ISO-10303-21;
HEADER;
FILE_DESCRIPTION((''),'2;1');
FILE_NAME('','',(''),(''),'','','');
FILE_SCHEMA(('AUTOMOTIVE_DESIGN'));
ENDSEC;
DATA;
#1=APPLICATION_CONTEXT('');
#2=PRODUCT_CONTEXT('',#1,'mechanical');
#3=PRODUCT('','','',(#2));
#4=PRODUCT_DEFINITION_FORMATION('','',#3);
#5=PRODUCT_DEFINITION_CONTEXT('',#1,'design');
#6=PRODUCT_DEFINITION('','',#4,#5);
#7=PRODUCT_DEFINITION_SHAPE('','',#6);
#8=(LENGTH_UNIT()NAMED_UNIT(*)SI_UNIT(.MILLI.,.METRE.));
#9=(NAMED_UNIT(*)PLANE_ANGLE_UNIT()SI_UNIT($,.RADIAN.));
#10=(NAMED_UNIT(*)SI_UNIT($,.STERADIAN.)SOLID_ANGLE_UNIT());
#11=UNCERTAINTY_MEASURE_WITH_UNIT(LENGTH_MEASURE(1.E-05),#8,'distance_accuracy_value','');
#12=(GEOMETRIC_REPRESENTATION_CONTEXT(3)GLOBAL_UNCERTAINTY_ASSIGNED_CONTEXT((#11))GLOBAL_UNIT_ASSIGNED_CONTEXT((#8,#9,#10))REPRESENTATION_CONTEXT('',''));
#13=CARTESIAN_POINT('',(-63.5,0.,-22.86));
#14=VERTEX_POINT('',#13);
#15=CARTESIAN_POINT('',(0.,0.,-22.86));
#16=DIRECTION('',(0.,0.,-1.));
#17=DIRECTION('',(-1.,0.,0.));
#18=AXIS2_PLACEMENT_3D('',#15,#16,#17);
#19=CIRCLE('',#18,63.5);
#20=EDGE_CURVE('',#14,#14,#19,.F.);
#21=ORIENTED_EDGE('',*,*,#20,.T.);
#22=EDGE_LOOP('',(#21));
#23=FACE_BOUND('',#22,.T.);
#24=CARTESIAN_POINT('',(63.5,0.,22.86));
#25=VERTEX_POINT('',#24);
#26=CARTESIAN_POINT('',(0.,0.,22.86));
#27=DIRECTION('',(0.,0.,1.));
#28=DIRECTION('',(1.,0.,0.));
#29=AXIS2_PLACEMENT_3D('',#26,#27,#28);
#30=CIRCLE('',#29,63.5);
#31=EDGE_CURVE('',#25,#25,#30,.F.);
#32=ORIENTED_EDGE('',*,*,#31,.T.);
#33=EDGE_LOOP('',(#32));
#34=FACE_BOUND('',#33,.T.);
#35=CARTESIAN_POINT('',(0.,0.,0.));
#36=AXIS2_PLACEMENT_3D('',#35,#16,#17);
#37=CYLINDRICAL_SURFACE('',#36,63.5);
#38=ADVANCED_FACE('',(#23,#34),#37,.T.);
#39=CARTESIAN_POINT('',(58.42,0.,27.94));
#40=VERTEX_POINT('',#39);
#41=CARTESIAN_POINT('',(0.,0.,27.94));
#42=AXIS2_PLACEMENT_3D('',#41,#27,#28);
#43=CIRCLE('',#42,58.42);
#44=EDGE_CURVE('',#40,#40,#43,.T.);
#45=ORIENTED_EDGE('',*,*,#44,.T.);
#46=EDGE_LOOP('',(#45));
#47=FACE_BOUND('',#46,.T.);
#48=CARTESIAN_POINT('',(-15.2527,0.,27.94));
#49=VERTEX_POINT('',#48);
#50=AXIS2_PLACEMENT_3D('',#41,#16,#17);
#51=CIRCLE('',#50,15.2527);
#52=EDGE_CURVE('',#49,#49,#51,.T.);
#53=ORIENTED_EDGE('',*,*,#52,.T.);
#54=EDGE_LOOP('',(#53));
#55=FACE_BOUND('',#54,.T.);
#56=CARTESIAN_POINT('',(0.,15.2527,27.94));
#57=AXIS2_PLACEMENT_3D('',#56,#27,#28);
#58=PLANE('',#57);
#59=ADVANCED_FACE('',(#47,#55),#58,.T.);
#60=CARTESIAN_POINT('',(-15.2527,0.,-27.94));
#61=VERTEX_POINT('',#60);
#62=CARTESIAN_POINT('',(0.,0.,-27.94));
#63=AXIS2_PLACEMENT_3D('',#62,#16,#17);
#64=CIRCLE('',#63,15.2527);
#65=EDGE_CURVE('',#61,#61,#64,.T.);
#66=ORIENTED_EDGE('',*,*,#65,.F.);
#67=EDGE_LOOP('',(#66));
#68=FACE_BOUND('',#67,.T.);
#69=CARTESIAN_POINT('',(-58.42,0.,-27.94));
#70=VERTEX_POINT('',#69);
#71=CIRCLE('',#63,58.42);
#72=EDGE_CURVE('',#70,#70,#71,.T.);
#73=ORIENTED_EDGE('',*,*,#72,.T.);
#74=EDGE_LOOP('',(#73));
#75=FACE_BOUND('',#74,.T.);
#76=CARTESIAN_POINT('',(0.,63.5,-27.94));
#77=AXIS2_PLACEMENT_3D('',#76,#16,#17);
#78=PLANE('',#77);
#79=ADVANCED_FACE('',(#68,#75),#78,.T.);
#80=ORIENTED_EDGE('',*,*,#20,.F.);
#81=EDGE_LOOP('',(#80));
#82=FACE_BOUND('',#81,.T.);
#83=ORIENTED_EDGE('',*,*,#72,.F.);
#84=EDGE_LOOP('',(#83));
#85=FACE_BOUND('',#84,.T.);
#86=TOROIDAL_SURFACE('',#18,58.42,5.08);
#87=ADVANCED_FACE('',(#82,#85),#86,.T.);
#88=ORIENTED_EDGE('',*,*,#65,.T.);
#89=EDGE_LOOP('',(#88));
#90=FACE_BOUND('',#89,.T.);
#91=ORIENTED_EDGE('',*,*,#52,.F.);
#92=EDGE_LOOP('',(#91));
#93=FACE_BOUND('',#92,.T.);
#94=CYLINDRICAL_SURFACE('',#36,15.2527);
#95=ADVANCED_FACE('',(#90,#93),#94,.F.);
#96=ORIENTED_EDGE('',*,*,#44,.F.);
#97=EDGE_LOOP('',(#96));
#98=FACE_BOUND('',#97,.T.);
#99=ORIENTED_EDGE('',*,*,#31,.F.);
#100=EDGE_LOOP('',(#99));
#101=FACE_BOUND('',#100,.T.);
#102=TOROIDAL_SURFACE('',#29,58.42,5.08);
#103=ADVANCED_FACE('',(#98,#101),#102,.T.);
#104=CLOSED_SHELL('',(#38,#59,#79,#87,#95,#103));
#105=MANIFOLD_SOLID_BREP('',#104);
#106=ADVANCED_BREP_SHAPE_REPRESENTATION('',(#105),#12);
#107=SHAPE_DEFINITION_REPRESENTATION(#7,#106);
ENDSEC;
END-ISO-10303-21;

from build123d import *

# Parameters (mm, degrees)
SKETCH1_W = 55.88
SKETCH1_H = 48.2473
FILLET1_R = 5.08


with BuildPart() as part:
    # Sketch1 → Revolve1 (revolve)
    with BuildSketch(Plane(origin=(0, 0, 0), x_dir=(0, 0, -1), z_dir=(1, 0, 0)), mode=Mode.PRIVATE) as revolve1_sk:
        with Locations((0, 39.37635)):
            Rectangle(SKETCH1_W, SKETCH1_H)
    revolve(revolve1_sk.sketch.rotate(Axis((0, 0, 0), (0, 0, 1)), 90), axis=Axis((0, 0, 0), (0, 0, 1)))

    # Fillet1
    fillet1_edges = [part.edges().sort_by_distance(p)[0] for p in [
        (63.5, 0, -27.94),
        (63.5, 0, 27.94),
    ]]
    fillet(fillet1_edges, radius=FILLET1_R)


solid = part.part
